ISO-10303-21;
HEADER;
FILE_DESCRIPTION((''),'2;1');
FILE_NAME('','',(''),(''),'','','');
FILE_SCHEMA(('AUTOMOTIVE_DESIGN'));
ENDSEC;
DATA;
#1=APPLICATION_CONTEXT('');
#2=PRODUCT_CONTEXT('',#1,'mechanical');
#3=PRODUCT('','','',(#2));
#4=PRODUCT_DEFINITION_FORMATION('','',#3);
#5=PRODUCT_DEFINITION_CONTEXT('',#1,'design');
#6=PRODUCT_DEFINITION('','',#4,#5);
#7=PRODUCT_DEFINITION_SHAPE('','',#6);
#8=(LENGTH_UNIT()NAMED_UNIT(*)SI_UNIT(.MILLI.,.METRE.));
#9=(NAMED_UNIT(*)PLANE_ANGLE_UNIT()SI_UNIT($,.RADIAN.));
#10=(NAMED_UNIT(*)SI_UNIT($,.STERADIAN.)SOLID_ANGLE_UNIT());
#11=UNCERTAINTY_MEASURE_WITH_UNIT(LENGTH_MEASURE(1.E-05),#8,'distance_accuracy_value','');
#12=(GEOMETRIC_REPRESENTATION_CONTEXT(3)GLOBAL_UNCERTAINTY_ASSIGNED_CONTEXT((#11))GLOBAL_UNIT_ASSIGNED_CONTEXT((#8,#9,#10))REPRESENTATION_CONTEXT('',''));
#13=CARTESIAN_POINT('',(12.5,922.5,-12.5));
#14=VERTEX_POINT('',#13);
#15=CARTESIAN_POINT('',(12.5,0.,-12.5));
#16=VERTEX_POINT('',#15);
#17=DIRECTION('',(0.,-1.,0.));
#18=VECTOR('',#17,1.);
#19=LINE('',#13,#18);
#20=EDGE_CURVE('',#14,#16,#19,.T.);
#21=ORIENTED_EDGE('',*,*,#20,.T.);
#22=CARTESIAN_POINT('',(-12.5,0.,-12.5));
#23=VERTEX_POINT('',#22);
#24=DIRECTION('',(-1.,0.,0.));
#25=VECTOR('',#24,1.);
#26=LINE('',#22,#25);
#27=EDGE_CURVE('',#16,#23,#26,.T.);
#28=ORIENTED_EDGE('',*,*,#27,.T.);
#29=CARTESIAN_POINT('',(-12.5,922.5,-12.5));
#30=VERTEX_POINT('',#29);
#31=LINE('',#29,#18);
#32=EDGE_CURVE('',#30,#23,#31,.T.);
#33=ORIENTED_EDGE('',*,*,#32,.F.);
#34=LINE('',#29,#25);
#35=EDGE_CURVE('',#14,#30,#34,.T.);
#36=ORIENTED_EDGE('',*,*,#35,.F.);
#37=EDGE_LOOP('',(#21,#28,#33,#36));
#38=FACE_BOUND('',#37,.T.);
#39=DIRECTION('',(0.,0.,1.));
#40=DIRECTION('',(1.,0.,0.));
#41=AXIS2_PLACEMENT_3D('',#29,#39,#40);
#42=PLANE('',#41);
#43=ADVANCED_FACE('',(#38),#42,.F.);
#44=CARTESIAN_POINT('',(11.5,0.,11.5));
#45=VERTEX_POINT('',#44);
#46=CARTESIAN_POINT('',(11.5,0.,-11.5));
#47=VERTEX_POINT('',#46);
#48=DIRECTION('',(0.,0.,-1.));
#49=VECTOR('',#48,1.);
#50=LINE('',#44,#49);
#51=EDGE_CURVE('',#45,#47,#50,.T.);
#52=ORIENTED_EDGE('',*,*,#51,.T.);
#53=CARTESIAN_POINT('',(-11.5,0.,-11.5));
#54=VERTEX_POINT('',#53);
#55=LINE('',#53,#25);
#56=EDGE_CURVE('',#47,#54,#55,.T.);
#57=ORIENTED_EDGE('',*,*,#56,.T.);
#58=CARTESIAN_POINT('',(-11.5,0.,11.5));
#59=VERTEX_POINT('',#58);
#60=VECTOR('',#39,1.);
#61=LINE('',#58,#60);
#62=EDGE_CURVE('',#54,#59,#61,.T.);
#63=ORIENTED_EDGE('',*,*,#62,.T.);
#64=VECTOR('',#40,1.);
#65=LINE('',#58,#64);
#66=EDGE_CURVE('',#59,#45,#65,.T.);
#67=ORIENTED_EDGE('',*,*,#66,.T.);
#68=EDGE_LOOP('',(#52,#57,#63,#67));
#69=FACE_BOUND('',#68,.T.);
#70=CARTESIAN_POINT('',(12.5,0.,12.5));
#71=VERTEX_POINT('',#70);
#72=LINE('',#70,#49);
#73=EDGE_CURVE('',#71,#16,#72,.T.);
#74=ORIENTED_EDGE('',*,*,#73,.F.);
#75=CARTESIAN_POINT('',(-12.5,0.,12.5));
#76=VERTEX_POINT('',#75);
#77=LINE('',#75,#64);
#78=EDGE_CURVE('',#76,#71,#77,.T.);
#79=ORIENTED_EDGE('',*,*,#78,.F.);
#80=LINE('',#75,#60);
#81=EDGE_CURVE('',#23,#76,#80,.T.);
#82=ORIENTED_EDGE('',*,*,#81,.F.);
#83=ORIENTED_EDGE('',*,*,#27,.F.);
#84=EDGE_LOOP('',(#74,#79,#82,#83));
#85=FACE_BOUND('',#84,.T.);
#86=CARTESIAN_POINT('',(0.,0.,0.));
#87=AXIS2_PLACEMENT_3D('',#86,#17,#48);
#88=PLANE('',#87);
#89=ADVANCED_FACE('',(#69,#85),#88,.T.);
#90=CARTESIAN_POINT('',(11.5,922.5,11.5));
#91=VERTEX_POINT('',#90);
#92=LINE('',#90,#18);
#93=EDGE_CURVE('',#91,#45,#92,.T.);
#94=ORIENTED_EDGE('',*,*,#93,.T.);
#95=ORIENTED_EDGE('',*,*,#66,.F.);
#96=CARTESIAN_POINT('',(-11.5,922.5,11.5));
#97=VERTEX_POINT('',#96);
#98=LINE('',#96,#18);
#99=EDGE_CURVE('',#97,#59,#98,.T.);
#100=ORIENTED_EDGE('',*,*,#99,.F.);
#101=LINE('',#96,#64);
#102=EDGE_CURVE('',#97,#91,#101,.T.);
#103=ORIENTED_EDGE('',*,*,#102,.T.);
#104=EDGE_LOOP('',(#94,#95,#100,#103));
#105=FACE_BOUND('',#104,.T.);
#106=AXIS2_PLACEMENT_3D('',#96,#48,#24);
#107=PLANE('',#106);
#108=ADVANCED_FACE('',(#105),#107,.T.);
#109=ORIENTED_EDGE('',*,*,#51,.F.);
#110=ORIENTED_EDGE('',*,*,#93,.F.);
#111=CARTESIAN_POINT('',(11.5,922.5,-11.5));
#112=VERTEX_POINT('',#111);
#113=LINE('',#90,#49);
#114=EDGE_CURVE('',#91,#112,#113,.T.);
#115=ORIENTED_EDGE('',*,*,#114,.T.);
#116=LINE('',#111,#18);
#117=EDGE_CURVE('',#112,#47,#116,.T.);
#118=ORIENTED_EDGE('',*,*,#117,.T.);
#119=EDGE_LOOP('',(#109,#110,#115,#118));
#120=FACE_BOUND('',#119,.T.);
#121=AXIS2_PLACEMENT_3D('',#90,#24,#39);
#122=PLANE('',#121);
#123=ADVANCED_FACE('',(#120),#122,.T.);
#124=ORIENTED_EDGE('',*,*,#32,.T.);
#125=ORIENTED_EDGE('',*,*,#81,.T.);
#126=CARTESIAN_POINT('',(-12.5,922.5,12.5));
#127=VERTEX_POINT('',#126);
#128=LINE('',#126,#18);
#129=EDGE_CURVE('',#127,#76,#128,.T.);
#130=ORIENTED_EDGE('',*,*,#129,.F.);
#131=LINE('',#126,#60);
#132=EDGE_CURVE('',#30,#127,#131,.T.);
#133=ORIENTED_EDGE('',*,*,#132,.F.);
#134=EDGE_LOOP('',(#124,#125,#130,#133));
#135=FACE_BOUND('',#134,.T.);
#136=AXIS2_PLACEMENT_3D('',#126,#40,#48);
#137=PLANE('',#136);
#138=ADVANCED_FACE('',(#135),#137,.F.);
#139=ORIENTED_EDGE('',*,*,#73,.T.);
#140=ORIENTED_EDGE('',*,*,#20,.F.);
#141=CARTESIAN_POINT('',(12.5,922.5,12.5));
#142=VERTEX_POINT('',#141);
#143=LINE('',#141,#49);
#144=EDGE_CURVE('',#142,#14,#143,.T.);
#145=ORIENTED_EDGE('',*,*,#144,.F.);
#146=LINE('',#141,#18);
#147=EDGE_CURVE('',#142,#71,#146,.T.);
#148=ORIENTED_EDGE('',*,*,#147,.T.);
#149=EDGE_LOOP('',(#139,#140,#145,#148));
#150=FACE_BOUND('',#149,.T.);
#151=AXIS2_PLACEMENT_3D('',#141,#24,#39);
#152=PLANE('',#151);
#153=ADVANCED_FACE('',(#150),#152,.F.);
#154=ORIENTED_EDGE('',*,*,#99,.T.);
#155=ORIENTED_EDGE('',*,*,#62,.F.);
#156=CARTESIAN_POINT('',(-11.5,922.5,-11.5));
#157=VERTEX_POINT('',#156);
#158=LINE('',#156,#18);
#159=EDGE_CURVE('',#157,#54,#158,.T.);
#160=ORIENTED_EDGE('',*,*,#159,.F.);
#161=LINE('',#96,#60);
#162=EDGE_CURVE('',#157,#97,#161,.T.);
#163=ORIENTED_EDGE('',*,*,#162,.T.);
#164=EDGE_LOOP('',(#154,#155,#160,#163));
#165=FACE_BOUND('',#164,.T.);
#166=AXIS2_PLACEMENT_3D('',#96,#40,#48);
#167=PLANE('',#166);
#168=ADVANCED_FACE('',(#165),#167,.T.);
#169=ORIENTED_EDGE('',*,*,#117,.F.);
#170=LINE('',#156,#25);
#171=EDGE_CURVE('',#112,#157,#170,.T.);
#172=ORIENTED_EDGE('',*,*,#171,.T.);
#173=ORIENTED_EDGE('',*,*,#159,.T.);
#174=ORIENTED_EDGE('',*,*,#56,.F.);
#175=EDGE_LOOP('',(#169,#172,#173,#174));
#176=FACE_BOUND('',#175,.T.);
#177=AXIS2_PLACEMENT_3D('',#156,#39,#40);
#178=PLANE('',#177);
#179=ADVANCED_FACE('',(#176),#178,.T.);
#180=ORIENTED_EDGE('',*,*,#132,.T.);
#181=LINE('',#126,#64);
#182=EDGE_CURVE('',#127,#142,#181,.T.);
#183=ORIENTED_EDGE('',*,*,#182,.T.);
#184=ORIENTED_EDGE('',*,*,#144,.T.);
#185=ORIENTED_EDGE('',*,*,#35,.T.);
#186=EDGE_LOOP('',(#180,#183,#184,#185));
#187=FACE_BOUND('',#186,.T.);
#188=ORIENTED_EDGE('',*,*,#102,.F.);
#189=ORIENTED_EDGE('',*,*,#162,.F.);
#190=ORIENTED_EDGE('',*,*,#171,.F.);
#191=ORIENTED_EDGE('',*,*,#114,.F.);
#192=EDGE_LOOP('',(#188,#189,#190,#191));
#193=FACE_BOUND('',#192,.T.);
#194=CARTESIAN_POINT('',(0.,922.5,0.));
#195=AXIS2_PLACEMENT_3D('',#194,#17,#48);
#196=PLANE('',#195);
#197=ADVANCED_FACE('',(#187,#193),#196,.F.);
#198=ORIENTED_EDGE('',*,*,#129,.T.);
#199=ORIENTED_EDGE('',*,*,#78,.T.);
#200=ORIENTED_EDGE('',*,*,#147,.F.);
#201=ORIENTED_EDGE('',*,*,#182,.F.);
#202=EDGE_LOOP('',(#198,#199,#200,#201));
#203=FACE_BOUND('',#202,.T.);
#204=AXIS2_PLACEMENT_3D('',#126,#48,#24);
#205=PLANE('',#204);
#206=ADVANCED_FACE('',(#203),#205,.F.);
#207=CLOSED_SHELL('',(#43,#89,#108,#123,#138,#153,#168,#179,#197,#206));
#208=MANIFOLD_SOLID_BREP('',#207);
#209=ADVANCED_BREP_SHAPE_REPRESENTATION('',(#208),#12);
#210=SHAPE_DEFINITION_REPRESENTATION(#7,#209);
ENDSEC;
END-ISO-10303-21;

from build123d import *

# Parameters (mm, degrees)
SKETCH1_W           = 25
SKETCH1_H           = 25
SKETCH1_W_2         = 23
SKETCH1_H_2         = 23
BOSS_EXTRUDE1_DEPTH = 922.5


with BuildPart() as part:
    # Sketch1 → Boss-Extrude1 (new body)
    with BuildSketch(Plane(origin=(0, 0, 0), x_dir=(1, 0, 0), z_dir=(0, 1, 0))):
        Rectangle(SKETCH1_W, SKETCH1_H)
        Rectangle(SKETCH1_W_2, SKETCH1_H_2, mode=Mode.SUBTRACT)
    extrude(amount=BOSS_EXTRUDE1_DEPTH)


solid = part.part
